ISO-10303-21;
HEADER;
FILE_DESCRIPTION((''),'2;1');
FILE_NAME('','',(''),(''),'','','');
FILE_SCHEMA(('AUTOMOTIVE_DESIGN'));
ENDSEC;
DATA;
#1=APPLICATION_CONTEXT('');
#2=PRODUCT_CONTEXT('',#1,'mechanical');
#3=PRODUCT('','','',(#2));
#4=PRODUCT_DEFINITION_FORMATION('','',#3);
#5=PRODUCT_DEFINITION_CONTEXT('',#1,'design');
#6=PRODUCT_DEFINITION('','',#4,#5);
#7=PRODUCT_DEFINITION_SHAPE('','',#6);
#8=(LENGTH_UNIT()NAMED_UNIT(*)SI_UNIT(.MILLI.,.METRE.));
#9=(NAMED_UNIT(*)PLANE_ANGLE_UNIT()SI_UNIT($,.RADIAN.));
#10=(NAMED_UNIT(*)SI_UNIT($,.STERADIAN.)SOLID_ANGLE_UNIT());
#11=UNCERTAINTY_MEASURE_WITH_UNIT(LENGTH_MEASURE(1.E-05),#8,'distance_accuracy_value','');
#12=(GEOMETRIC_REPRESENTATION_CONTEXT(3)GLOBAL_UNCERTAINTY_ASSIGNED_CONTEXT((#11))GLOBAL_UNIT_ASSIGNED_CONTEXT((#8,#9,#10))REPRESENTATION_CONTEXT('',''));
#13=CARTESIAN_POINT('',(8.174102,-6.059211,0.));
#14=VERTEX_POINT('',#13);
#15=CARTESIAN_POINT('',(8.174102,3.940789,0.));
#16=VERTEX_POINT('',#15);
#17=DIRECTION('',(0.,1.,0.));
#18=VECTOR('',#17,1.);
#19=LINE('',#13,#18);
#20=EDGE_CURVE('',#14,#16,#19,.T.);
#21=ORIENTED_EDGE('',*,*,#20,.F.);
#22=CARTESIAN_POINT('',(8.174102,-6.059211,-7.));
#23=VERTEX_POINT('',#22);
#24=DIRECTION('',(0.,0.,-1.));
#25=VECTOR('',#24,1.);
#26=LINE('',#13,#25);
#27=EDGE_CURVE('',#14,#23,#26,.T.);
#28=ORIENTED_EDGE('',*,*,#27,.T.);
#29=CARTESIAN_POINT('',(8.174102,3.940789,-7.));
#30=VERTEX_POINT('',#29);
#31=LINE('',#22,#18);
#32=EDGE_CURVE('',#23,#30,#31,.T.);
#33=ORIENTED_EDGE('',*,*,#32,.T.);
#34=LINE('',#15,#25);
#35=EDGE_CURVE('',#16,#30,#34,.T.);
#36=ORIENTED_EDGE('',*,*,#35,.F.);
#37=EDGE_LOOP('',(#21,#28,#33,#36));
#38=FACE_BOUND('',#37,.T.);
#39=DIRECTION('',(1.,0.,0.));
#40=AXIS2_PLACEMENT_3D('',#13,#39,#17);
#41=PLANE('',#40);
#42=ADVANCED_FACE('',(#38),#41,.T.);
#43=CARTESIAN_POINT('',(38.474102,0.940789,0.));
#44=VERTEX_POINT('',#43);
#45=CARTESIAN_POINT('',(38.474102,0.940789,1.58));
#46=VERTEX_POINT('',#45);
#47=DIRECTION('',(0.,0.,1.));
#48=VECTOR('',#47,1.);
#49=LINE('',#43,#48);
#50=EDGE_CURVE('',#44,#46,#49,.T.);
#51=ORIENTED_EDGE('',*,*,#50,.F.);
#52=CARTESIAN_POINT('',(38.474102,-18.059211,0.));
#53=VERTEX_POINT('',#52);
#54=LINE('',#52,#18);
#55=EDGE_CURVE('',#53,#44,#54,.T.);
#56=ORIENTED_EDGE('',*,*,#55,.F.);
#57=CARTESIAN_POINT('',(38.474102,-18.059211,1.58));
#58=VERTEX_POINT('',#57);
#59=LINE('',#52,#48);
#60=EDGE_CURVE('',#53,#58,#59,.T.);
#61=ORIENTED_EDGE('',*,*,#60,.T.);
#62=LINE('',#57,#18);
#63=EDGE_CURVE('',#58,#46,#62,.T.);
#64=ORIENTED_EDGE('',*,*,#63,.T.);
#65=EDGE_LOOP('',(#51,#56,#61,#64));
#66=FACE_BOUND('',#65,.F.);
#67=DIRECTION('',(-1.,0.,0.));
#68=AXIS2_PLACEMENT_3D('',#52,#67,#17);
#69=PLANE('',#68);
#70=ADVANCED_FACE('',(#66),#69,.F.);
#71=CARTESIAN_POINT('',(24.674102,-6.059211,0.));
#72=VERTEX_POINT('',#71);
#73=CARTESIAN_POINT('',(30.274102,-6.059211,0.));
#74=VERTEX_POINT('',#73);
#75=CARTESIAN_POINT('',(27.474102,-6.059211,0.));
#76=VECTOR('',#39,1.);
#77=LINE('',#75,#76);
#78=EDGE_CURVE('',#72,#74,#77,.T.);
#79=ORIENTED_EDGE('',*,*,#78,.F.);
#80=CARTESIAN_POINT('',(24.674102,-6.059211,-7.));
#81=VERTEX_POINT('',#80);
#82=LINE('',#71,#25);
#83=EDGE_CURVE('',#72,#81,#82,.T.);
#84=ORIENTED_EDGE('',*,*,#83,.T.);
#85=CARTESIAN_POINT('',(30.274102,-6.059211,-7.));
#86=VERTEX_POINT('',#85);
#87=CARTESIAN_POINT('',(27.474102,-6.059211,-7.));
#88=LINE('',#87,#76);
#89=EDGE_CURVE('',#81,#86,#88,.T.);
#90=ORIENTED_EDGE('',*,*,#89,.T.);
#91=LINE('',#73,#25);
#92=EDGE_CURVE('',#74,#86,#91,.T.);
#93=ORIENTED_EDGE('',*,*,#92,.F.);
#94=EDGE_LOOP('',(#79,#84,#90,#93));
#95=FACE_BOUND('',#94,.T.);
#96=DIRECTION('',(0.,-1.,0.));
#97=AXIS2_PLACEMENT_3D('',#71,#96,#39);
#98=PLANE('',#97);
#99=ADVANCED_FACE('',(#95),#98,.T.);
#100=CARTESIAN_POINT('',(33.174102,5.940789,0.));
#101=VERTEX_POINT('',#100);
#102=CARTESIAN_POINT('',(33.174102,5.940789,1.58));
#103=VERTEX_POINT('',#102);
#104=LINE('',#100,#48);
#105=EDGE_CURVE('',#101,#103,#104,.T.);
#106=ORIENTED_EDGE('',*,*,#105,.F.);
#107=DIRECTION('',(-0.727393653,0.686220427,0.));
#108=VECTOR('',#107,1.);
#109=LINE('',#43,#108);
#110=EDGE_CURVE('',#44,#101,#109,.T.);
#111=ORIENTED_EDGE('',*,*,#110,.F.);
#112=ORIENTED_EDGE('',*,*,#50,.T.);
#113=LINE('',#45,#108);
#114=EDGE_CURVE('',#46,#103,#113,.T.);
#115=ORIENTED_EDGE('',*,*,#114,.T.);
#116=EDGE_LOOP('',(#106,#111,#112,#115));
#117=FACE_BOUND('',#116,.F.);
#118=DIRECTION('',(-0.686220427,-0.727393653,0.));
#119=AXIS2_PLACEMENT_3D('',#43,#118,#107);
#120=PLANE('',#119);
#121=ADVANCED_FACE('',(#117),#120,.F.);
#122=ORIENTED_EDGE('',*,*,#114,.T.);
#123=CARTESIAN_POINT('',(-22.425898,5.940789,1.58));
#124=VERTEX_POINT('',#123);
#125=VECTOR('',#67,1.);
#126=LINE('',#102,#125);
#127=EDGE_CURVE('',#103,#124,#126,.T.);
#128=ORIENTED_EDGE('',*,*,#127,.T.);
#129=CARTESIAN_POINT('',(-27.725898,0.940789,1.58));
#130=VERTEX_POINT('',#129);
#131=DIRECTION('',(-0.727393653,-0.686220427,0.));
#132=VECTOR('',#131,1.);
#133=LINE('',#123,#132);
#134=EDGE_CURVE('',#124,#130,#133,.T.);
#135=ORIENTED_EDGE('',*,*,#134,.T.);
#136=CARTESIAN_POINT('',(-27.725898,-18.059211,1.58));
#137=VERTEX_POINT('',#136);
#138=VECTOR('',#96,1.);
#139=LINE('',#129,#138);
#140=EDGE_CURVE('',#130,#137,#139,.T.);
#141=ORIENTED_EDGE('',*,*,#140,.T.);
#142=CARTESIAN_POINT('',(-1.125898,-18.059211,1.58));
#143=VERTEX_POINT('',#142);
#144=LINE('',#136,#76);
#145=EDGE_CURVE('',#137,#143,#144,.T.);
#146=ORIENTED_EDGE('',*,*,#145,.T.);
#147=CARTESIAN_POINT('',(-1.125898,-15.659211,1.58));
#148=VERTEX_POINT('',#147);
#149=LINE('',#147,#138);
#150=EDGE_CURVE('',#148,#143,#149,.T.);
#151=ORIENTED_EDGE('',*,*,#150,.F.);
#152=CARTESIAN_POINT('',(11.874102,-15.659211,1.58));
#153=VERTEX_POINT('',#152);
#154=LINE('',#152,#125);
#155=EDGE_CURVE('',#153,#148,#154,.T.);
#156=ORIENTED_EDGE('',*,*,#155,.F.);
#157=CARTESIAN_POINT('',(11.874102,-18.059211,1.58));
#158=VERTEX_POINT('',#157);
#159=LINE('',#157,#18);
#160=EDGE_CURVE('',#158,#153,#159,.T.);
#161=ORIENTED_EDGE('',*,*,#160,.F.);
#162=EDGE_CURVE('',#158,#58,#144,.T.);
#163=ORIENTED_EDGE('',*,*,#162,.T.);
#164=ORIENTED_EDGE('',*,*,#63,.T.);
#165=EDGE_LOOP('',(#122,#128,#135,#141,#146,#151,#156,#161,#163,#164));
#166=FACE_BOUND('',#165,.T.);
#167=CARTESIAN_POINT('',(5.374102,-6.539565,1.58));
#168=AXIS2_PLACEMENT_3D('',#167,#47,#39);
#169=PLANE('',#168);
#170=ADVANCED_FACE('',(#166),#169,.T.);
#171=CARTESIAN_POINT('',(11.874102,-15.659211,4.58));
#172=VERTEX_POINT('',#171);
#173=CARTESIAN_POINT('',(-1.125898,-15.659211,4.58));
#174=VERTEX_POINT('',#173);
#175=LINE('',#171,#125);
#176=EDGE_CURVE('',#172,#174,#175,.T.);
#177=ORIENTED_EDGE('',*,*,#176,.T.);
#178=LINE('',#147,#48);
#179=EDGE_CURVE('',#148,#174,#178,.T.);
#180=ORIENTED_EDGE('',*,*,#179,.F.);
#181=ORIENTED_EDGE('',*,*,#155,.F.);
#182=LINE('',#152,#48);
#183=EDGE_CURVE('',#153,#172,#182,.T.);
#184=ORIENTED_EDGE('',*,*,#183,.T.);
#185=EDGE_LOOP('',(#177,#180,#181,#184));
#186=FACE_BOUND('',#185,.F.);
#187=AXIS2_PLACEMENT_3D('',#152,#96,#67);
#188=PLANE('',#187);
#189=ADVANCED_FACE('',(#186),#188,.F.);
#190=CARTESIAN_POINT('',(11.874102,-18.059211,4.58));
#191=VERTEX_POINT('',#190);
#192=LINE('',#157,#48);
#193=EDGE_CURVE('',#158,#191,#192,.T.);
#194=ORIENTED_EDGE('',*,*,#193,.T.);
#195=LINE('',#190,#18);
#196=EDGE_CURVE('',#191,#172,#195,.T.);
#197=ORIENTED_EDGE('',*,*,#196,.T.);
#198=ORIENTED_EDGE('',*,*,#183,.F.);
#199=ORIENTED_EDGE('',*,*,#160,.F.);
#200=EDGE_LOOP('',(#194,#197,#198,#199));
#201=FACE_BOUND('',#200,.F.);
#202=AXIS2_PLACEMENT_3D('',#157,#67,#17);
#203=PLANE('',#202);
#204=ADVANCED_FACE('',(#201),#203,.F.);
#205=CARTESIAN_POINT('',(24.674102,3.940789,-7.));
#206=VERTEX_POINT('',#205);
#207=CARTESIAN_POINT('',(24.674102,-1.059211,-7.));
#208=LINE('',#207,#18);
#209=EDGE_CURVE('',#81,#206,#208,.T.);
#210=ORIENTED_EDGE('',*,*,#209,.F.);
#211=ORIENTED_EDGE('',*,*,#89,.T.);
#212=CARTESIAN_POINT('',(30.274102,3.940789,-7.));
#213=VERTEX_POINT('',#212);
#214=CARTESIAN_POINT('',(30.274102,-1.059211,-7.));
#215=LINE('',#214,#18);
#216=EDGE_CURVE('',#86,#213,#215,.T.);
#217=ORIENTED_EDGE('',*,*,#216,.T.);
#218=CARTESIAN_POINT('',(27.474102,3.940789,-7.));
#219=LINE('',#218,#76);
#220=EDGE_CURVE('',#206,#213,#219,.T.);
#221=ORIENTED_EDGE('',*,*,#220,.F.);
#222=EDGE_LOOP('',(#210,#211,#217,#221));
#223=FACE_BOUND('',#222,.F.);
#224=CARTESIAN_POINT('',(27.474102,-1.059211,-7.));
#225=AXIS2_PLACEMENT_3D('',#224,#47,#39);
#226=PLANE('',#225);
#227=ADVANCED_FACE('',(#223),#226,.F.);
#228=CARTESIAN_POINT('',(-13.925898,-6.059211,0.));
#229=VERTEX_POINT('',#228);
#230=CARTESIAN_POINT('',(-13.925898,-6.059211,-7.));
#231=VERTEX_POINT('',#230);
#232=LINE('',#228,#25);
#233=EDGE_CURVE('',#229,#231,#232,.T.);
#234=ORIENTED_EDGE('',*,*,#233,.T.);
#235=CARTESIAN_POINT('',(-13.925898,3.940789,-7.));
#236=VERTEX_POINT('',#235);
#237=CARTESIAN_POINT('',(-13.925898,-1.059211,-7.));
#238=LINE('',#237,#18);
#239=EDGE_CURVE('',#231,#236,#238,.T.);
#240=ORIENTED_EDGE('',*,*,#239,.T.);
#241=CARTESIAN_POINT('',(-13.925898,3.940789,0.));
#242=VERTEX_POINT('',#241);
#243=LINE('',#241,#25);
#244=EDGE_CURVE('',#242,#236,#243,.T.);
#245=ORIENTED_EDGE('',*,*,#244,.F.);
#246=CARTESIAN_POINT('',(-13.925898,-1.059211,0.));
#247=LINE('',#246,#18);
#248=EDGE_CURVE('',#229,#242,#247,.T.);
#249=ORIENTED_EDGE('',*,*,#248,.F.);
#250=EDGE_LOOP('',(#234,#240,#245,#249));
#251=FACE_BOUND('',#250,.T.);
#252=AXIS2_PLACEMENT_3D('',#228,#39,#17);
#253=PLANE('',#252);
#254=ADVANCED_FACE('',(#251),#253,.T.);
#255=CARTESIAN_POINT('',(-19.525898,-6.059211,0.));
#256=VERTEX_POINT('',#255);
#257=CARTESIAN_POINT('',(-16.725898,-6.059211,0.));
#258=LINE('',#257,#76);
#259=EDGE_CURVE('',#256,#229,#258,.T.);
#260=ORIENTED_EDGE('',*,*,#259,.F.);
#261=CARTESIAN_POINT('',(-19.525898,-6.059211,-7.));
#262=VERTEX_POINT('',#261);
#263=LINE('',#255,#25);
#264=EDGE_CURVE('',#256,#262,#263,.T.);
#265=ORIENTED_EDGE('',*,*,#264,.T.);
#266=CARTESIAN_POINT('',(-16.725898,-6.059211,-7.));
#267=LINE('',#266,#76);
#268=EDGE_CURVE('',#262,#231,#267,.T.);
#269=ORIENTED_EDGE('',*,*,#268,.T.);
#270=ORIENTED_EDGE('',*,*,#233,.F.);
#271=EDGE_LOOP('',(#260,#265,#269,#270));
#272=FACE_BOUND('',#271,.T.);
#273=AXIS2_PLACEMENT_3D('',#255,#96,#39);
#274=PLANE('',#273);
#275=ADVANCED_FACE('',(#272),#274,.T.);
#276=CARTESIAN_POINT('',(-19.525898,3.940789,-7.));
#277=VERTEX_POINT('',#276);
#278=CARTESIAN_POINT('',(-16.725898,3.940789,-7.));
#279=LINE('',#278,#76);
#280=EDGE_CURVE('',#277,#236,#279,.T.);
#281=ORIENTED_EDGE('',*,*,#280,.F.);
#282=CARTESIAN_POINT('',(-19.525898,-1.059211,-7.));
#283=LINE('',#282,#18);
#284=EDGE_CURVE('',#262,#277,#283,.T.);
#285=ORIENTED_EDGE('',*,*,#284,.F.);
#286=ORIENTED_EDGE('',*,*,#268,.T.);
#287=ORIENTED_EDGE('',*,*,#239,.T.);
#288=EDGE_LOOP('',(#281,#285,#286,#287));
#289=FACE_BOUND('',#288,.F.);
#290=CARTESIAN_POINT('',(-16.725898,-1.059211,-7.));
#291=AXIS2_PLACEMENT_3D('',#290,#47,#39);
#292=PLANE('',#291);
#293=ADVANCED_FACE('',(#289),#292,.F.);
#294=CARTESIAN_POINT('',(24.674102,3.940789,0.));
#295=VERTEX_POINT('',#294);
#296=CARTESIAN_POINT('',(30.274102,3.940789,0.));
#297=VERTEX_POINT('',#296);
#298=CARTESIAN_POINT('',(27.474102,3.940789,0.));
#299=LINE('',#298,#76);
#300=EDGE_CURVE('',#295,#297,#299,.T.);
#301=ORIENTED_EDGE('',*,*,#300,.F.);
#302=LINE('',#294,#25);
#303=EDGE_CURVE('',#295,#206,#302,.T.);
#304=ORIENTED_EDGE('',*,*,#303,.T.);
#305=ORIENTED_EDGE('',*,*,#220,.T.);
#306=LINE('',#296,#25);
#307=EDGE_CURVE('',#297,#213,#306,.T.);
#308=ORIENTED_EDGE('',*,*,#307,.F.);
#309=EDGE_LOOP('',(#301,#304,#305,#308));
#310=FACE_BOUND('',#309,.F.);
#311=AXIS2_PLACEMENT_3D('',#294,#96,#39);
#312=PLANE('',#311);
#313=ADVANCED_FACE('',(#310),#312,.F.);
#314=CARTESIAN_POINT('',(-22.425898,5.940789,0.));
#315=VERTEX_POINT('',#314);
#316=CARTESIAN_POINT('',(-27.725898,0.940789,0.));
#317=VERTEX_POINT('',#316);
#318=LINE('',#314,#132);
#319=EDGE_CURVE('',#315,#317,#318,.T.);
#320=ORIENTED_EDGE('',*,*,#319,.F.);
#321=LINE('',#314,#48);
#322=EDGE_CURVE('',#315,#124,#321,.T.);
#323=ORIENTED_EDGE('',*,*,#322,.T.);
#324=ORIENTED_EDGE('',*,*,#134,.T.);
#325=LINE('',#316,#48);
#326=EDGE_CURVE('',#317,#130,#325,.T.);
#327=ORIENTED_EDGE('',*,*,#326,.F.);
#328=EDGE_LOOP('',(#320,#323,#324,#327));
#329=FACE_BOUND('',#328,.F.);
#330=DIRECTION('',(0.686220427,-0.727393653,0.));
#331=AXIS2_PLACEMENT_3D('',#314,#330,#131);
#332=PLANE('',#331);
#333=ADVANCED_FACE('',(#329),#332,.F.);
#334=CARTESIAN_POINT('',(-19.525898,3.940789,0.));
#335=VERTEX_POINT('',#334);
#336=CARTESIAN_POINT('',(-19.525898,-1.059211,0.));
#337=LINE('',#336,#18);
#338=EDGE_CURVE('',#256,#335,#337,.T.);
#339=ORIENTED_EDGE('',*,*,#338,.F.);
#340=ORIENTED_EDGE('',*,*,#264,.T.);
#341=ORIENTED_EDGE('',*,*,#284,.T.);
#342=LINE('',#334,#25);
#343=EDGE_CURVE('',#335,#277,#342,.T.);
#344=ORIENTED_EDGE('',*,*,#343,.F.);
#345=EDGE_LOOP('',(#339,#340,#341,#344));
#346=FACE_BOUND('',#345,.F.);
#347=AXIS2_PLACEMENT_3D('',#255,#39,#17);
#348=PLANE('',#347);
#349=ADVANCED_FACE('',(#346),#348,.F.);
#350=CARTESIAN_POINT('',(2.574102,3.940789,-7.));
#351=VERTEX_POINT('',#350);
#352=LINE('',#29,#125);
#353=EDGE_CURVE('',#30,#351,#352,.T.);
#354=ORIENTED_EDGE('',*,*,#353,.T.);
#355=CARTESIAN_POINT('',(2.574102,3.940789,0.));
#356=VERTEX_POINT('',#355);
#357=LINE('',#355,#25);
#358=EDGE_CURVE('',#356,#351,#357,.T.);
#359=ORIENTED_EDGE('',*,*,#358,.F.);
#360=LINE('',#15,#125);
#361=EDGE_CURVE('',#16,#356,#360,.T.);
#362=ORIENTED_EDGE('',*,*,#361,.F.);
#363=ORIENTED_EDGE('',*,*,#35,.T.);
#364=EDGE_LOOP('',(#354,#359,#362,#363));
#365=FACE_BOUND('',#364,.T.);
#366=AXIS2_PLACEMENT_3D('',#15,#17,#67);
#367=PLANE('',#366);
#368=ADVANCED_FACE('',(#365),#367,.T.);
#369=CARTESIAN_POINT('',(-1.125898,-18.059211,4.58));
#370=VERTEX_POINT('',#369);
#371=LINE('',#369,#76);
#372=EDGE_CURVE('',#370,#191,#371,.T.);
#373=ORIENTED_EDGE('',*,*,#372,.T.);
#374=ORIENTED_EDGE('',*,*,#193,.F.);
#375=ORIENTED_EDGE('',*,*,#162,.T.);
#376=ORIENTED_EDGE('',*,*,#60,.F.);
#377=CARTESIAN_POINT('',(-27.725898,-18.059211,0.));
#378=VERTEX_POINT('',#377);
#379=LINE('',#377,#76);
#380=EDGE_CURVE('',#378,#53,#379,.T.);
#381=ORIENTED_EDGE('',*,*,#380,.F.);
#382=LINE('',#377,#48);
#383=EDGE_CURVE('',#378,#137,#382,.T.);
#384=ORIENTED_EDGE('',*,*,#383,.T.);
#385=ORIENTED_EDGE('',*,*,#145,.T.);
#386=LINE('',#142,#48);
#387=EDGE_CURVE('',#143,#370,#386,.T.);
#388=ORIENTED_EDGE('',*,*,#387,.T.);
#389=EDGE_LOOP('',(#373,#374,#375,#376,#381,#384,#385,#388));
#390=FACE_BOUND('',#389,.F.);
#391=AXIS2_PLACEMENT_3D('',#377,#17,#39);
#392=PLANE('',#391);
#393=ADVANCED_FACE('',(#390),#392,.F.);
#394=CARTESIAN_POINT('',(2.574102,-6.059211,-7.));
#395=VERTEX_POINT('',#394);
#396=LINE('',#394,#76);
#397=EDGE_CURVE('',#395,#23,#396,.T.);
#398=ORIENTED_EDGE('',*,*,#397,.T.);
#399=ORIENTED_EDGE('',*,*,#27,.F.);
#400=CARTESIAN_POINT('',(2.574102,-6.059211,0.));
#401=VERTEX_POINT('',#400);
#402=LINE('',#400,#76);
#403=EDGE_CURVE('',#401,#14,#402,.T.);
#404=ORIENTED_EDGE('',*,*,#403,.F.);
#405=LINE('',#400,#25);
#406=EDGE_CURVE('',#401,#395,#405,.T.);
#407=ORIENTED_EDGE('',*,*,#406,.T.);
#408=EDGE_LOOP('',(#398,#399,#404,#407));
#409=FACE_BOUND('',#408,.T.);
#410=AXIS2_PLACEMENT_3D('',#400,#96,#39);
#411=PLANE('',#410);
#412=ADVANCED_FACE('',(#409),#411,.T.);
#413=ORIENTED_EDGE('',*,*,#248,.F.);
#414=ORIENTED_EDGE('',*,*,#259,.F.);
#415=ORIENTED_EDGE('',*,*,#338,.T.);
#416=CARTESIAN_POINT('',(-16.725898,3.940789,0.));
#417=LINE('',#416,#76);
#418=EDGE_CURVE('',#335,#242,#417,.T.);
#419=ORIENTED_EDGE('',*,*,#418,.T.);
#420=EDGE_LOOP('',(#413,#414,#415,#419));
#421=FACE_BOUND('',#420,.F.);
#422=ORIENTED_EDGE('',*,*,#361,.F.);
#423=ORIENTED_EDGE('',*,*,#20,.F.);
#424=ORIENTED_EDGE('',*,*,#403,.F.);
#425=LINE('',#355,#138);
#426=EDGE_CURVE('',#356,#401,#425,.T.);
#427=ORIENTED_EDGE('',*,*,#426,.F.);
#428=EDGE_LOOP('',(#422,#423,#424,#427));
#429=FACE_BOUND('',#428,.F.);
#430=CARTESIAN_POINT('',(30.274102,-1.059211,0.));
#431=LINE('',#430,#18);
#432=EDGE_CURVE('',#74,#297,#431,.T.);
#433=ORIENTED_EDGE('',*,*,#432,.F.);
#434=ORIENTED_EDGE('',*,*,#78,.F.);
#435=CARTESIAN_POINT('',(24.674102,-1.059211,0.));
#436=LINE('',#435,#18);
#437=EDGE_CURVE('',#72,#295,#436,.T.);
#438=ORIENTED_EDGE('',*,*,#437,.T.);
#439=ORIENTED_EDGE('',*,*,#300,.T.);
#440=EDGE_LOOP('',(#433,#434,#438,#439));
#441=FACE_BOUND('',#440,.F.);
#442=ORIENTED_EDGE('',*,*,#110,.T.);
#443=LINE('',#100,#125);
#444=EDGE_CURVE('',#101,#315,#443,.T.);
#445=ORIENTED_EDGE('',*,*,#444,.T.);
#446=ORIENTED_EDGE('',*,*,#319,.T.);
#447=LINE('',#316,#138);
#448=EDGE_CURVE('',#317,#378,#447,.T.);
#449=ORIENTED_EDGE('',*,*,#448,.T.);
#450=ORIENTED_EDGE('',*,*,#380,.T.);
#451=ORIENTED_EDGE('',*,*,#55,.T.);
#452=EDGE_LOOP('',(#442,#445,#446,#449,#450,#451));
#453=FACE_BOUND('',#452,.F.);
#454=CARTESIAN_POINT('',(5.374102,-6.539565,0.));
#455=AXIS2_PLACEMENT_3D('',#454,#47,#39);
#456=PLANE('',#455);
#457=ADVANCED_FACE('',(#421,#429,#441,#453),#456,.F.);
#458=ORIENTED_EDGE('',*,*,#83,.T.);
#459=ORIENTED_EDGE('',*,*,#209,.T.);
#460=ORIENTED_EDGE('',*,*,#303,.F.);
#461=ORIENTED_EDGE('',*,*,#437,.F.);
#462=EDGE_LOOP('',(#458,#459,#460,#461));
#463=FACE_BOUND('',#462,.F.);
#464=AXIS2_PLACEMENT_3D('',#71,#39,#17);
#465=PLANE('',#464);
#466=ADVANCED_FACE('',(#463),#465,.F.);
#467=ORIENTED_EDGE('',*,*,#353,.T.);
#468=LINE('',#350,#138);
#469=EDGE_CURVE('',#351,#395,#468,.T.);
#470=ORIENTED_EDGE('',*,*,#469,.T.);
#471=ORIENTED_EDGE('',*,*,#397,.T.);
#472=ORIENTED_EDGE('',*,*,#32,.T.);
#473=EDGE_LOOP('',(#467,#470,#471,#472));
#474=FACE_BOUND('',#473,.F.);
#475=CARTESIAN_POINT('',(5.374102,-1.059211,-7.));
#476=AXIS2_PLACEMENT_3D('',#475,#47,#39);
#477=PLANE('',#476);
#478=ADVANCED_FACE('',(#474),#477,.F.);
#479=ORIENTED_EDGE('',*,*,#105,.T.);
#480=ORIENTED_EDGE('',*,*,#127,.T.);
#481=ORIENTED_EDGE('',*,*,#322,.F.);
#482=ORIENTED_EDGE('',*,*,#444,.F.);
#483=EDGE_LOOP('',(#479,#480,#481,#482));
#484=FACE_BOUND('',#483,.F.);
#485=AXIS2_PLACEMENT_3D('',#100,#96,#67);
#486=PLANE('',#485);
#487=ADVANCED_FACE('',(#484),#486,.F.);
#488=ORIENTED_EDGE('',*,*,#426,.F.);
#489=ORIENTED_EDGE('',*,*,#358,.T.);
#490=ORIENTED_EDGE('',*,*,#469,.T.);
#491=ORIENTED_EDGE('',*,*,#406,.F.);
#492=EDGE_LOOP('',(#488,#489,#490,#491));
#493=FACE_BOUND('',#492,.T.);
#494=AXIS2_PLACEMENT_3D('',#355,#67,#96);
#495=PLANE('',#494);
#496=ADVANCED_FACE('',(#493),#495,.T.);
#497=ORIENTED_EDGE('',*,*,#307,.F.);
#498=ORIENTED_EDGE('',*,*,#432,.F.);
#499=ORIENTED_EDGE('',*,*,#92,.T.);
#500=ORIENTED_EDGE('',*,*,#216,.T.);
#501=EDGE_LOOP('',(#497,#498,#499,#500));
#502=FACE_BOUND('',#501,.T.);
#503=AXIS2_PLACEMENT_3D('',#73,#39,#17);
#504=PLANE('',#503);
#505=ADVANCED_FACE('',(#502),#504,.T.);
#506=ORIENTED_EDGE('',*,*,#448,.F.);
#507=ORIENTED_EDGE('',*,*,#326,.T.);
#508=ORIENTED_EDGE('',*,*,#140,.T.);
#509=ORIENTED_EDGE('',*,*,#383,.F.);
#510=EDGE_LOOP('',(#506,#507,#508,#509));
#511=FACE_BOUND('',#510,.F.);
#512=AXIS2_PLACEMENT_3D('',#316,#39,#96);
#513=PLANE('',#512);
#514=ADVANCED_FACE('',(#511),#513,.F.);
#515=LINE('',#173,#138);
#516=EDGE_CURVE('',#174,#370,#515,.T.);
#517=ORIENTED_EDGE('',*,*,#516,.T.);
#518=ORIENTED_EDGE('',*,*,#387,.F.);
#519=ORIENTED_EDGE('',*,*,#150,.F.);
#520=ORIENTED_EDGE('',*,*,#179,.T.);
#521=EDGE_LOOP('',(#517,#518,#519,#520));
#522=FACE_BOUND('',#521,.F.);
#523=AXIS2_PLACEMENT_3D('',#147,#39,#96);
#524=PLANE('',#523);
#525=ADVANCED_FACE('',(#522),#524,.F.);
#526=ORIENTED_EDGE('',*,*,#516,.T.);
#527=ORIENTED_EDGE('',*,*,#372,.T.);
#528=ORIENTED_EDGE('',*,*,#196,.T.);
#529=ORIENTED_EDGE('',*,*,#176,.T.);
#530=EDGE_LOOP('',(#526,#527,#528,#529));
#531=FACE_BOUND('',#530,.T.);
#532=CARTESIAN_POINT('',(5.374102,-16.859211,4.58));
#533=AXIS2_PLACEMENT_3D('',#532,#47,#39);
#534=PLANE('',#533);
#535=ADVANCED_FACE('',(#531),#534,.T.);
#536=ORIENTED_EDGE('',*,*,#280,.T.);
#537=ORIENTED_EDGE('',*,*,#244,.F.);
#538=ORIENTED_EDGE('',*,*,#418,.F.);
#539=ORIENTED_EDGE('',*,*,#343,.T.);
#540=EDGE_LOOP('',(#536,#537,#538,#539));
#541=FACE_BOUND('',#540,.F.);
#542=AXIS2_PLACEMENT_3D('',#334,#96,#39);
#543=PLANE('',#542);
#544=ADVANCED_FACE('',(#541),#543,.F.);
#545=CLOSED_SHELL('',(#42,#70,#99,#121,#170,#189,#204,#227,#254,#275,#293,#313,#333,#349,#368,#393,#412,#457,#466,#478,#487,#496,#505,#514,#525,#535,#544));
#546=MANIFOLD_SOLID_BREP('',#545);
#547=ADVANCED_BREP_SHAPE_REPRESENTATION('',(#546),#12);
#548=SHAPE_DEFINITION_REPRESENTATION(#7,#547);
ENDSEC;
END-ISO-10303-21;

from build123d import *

# Parameters (mm, degrees)
F0_W     = 5.6
F0_H     = 10
F1_DEPTH = 7
F2_DEPTH = 1.58
F4_DEPTH = 3


with BuildPart() as f1:
    # F0 (on Top) → F1 (new body)
    with BuildSketch(Plane.XY):
        with Locations((-16.725898, -1.059211)):
            Rectangle(F0_W, F0_H)
        Polygon((8.174102, 3.940789), (5.374102, 3.940789), (2.574102, 3.940789), (2.574102, -6.059211), (8.174102, -6.059211), align=None)
        with Locations((27.474102, -1.059211)):
            Rectangle(F0_W, F0_H)
    extrude(amount=-F1_DEPTH)

    # F0 (on Top) → F2 (join)
    with BuildSketch(Plane.XY):
        Polygon((33.174102, 5.940789), (-22.425898, 5.940789), (-27.725898, 0.940789), (-27.725898, -18.059211), (38.474102, -18.059211), (38.474102, 0.940789), align=None)
        with Locations((-16.725898, -1.059211)):
            Rectangle(F0_W, F0_H, mode=Mode.SUBTRACT)
        Polygon((2.574102, 3.940789), (5.374102, 3.940789), (8.174102, 3.940789), (8.174102, -6.059211), (2.574102, -6.059211), align=None, mode=Mode.SUBTRACT)
        with Locations((27.474102, -1.059211)):
            Rectangle(F0_W, F0_H, mode=Mode.SUBTRACT)
        with Locations((-16.725898, -1.059211)):
            Rectangle(F0_W, F0_H)
        Polygon((8.174102, 3.940789), (5.374102, 3.940789), (2.574102, 3.940789), (2.574102, -6.059211), (8.174102, -6.059211), align=None)
        with Locations((27.474102, -1.059211)):
            Rectangle(F0_W, F0_H)
    extrude(amount=F2_DEPTH)

    # F3 (on face) → F4 (join)
    with BuildSketch(Plane.XY.offset(1.58)):
        Polygon((-1.125898, -18.059211), (5.374102, -18.059211), (11.874102, -18.059211), (11.874102, -15.659211), (-1.125898, -15.659211), align=None)
    extrude(amount=F4_DEPTH)


solid = f1.part
